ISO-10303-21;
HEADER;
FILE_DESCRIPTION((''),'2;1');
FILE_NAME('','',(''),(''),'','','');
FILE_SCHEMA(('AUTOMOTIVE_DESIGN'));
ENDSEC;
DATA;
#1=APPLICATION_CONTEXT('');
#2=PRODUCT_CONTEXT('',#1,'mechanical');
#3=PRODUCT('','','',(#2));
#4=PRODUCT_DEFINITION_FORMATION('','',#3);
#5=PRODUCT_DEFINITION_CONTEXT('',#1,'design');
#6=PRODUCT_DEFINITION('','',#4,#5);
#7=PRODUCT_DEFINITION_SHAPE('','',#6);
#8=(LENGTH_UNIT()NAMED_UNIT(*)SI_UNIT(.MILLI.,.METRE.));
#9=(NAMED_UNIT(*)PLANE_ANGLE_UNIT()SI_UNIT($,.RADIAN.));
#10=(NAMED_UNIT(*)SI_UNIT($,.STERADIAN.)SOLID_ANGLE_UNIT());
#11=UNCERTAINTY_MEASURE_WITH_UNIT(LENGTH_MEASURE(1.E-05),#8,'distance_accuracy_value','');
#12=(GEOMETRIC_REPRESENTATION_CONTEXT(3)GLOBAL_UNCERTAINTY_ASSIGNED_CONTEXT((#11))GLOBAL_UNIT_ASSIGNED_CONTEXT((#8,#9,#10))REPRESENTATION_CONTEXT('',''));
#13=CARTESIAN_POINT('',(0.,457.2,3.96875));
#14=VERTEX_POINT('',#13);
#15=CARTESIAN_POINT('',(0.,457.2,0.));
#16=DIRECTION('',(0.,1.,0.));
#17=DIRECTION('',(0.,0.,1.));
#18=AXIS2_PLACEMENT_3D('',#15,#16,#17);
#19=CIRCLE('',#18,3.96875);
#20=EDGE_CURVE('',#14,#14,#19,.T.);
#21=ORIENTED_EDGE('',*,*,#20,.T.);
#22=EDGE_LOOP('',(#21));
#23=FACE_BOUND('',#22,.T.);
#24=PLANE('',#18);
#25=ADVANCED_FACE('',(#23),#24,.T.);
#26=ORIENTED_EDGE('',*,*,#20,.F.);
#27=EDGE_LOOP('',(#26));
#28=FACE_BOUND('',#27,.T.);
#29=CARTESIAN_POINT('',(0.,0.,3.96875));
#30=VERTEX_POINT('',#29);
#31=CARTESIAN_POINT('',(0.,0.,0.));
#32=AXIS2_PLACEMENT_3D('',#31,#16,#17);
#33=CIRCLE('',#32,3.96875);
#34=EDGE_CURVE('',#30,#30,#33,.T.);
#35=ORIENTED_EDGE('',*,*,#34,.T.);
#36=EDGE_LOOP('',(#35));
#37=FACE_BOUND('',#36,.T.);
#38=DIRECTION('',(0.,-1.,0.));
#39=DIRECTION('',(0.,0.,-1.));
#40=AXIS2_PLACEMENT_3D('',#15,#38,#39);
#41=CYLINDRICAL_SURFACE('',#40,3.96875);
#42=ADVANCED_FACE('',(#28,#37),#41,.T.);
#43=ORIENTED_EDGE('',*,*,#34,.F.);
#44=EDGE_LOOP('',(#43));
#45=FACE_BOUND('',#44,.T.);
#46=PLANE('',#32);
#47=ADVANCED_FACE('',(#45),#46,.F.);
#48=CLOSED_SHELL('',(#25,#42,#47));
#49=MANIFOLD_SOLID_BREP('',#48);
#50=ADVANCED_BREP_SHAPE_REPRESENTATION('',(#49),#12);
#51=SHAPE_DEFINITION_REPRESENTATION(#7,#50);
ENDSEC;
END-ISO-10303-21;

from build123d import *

# Parameters (mm, degrees)
SKETCH_1_R      = 3.96875
EXTRUDE_1_DEPTH = 457.2


with BuildPart() as part:
    # 草图1 → 凸台-拉伸1 (new body)
    with BuildSketch(Plane(origin=(0, 0, 0), x_dir=(1, 0, 0), z_dir=(0, 1, 0))):
        with Locations(Location((0, 0, 0), (0, 0, 270))):
            Circle(SKETCH_1_R)
    extrude(amount=EXTRUDE_1_DEPTH)


solid = part.part
